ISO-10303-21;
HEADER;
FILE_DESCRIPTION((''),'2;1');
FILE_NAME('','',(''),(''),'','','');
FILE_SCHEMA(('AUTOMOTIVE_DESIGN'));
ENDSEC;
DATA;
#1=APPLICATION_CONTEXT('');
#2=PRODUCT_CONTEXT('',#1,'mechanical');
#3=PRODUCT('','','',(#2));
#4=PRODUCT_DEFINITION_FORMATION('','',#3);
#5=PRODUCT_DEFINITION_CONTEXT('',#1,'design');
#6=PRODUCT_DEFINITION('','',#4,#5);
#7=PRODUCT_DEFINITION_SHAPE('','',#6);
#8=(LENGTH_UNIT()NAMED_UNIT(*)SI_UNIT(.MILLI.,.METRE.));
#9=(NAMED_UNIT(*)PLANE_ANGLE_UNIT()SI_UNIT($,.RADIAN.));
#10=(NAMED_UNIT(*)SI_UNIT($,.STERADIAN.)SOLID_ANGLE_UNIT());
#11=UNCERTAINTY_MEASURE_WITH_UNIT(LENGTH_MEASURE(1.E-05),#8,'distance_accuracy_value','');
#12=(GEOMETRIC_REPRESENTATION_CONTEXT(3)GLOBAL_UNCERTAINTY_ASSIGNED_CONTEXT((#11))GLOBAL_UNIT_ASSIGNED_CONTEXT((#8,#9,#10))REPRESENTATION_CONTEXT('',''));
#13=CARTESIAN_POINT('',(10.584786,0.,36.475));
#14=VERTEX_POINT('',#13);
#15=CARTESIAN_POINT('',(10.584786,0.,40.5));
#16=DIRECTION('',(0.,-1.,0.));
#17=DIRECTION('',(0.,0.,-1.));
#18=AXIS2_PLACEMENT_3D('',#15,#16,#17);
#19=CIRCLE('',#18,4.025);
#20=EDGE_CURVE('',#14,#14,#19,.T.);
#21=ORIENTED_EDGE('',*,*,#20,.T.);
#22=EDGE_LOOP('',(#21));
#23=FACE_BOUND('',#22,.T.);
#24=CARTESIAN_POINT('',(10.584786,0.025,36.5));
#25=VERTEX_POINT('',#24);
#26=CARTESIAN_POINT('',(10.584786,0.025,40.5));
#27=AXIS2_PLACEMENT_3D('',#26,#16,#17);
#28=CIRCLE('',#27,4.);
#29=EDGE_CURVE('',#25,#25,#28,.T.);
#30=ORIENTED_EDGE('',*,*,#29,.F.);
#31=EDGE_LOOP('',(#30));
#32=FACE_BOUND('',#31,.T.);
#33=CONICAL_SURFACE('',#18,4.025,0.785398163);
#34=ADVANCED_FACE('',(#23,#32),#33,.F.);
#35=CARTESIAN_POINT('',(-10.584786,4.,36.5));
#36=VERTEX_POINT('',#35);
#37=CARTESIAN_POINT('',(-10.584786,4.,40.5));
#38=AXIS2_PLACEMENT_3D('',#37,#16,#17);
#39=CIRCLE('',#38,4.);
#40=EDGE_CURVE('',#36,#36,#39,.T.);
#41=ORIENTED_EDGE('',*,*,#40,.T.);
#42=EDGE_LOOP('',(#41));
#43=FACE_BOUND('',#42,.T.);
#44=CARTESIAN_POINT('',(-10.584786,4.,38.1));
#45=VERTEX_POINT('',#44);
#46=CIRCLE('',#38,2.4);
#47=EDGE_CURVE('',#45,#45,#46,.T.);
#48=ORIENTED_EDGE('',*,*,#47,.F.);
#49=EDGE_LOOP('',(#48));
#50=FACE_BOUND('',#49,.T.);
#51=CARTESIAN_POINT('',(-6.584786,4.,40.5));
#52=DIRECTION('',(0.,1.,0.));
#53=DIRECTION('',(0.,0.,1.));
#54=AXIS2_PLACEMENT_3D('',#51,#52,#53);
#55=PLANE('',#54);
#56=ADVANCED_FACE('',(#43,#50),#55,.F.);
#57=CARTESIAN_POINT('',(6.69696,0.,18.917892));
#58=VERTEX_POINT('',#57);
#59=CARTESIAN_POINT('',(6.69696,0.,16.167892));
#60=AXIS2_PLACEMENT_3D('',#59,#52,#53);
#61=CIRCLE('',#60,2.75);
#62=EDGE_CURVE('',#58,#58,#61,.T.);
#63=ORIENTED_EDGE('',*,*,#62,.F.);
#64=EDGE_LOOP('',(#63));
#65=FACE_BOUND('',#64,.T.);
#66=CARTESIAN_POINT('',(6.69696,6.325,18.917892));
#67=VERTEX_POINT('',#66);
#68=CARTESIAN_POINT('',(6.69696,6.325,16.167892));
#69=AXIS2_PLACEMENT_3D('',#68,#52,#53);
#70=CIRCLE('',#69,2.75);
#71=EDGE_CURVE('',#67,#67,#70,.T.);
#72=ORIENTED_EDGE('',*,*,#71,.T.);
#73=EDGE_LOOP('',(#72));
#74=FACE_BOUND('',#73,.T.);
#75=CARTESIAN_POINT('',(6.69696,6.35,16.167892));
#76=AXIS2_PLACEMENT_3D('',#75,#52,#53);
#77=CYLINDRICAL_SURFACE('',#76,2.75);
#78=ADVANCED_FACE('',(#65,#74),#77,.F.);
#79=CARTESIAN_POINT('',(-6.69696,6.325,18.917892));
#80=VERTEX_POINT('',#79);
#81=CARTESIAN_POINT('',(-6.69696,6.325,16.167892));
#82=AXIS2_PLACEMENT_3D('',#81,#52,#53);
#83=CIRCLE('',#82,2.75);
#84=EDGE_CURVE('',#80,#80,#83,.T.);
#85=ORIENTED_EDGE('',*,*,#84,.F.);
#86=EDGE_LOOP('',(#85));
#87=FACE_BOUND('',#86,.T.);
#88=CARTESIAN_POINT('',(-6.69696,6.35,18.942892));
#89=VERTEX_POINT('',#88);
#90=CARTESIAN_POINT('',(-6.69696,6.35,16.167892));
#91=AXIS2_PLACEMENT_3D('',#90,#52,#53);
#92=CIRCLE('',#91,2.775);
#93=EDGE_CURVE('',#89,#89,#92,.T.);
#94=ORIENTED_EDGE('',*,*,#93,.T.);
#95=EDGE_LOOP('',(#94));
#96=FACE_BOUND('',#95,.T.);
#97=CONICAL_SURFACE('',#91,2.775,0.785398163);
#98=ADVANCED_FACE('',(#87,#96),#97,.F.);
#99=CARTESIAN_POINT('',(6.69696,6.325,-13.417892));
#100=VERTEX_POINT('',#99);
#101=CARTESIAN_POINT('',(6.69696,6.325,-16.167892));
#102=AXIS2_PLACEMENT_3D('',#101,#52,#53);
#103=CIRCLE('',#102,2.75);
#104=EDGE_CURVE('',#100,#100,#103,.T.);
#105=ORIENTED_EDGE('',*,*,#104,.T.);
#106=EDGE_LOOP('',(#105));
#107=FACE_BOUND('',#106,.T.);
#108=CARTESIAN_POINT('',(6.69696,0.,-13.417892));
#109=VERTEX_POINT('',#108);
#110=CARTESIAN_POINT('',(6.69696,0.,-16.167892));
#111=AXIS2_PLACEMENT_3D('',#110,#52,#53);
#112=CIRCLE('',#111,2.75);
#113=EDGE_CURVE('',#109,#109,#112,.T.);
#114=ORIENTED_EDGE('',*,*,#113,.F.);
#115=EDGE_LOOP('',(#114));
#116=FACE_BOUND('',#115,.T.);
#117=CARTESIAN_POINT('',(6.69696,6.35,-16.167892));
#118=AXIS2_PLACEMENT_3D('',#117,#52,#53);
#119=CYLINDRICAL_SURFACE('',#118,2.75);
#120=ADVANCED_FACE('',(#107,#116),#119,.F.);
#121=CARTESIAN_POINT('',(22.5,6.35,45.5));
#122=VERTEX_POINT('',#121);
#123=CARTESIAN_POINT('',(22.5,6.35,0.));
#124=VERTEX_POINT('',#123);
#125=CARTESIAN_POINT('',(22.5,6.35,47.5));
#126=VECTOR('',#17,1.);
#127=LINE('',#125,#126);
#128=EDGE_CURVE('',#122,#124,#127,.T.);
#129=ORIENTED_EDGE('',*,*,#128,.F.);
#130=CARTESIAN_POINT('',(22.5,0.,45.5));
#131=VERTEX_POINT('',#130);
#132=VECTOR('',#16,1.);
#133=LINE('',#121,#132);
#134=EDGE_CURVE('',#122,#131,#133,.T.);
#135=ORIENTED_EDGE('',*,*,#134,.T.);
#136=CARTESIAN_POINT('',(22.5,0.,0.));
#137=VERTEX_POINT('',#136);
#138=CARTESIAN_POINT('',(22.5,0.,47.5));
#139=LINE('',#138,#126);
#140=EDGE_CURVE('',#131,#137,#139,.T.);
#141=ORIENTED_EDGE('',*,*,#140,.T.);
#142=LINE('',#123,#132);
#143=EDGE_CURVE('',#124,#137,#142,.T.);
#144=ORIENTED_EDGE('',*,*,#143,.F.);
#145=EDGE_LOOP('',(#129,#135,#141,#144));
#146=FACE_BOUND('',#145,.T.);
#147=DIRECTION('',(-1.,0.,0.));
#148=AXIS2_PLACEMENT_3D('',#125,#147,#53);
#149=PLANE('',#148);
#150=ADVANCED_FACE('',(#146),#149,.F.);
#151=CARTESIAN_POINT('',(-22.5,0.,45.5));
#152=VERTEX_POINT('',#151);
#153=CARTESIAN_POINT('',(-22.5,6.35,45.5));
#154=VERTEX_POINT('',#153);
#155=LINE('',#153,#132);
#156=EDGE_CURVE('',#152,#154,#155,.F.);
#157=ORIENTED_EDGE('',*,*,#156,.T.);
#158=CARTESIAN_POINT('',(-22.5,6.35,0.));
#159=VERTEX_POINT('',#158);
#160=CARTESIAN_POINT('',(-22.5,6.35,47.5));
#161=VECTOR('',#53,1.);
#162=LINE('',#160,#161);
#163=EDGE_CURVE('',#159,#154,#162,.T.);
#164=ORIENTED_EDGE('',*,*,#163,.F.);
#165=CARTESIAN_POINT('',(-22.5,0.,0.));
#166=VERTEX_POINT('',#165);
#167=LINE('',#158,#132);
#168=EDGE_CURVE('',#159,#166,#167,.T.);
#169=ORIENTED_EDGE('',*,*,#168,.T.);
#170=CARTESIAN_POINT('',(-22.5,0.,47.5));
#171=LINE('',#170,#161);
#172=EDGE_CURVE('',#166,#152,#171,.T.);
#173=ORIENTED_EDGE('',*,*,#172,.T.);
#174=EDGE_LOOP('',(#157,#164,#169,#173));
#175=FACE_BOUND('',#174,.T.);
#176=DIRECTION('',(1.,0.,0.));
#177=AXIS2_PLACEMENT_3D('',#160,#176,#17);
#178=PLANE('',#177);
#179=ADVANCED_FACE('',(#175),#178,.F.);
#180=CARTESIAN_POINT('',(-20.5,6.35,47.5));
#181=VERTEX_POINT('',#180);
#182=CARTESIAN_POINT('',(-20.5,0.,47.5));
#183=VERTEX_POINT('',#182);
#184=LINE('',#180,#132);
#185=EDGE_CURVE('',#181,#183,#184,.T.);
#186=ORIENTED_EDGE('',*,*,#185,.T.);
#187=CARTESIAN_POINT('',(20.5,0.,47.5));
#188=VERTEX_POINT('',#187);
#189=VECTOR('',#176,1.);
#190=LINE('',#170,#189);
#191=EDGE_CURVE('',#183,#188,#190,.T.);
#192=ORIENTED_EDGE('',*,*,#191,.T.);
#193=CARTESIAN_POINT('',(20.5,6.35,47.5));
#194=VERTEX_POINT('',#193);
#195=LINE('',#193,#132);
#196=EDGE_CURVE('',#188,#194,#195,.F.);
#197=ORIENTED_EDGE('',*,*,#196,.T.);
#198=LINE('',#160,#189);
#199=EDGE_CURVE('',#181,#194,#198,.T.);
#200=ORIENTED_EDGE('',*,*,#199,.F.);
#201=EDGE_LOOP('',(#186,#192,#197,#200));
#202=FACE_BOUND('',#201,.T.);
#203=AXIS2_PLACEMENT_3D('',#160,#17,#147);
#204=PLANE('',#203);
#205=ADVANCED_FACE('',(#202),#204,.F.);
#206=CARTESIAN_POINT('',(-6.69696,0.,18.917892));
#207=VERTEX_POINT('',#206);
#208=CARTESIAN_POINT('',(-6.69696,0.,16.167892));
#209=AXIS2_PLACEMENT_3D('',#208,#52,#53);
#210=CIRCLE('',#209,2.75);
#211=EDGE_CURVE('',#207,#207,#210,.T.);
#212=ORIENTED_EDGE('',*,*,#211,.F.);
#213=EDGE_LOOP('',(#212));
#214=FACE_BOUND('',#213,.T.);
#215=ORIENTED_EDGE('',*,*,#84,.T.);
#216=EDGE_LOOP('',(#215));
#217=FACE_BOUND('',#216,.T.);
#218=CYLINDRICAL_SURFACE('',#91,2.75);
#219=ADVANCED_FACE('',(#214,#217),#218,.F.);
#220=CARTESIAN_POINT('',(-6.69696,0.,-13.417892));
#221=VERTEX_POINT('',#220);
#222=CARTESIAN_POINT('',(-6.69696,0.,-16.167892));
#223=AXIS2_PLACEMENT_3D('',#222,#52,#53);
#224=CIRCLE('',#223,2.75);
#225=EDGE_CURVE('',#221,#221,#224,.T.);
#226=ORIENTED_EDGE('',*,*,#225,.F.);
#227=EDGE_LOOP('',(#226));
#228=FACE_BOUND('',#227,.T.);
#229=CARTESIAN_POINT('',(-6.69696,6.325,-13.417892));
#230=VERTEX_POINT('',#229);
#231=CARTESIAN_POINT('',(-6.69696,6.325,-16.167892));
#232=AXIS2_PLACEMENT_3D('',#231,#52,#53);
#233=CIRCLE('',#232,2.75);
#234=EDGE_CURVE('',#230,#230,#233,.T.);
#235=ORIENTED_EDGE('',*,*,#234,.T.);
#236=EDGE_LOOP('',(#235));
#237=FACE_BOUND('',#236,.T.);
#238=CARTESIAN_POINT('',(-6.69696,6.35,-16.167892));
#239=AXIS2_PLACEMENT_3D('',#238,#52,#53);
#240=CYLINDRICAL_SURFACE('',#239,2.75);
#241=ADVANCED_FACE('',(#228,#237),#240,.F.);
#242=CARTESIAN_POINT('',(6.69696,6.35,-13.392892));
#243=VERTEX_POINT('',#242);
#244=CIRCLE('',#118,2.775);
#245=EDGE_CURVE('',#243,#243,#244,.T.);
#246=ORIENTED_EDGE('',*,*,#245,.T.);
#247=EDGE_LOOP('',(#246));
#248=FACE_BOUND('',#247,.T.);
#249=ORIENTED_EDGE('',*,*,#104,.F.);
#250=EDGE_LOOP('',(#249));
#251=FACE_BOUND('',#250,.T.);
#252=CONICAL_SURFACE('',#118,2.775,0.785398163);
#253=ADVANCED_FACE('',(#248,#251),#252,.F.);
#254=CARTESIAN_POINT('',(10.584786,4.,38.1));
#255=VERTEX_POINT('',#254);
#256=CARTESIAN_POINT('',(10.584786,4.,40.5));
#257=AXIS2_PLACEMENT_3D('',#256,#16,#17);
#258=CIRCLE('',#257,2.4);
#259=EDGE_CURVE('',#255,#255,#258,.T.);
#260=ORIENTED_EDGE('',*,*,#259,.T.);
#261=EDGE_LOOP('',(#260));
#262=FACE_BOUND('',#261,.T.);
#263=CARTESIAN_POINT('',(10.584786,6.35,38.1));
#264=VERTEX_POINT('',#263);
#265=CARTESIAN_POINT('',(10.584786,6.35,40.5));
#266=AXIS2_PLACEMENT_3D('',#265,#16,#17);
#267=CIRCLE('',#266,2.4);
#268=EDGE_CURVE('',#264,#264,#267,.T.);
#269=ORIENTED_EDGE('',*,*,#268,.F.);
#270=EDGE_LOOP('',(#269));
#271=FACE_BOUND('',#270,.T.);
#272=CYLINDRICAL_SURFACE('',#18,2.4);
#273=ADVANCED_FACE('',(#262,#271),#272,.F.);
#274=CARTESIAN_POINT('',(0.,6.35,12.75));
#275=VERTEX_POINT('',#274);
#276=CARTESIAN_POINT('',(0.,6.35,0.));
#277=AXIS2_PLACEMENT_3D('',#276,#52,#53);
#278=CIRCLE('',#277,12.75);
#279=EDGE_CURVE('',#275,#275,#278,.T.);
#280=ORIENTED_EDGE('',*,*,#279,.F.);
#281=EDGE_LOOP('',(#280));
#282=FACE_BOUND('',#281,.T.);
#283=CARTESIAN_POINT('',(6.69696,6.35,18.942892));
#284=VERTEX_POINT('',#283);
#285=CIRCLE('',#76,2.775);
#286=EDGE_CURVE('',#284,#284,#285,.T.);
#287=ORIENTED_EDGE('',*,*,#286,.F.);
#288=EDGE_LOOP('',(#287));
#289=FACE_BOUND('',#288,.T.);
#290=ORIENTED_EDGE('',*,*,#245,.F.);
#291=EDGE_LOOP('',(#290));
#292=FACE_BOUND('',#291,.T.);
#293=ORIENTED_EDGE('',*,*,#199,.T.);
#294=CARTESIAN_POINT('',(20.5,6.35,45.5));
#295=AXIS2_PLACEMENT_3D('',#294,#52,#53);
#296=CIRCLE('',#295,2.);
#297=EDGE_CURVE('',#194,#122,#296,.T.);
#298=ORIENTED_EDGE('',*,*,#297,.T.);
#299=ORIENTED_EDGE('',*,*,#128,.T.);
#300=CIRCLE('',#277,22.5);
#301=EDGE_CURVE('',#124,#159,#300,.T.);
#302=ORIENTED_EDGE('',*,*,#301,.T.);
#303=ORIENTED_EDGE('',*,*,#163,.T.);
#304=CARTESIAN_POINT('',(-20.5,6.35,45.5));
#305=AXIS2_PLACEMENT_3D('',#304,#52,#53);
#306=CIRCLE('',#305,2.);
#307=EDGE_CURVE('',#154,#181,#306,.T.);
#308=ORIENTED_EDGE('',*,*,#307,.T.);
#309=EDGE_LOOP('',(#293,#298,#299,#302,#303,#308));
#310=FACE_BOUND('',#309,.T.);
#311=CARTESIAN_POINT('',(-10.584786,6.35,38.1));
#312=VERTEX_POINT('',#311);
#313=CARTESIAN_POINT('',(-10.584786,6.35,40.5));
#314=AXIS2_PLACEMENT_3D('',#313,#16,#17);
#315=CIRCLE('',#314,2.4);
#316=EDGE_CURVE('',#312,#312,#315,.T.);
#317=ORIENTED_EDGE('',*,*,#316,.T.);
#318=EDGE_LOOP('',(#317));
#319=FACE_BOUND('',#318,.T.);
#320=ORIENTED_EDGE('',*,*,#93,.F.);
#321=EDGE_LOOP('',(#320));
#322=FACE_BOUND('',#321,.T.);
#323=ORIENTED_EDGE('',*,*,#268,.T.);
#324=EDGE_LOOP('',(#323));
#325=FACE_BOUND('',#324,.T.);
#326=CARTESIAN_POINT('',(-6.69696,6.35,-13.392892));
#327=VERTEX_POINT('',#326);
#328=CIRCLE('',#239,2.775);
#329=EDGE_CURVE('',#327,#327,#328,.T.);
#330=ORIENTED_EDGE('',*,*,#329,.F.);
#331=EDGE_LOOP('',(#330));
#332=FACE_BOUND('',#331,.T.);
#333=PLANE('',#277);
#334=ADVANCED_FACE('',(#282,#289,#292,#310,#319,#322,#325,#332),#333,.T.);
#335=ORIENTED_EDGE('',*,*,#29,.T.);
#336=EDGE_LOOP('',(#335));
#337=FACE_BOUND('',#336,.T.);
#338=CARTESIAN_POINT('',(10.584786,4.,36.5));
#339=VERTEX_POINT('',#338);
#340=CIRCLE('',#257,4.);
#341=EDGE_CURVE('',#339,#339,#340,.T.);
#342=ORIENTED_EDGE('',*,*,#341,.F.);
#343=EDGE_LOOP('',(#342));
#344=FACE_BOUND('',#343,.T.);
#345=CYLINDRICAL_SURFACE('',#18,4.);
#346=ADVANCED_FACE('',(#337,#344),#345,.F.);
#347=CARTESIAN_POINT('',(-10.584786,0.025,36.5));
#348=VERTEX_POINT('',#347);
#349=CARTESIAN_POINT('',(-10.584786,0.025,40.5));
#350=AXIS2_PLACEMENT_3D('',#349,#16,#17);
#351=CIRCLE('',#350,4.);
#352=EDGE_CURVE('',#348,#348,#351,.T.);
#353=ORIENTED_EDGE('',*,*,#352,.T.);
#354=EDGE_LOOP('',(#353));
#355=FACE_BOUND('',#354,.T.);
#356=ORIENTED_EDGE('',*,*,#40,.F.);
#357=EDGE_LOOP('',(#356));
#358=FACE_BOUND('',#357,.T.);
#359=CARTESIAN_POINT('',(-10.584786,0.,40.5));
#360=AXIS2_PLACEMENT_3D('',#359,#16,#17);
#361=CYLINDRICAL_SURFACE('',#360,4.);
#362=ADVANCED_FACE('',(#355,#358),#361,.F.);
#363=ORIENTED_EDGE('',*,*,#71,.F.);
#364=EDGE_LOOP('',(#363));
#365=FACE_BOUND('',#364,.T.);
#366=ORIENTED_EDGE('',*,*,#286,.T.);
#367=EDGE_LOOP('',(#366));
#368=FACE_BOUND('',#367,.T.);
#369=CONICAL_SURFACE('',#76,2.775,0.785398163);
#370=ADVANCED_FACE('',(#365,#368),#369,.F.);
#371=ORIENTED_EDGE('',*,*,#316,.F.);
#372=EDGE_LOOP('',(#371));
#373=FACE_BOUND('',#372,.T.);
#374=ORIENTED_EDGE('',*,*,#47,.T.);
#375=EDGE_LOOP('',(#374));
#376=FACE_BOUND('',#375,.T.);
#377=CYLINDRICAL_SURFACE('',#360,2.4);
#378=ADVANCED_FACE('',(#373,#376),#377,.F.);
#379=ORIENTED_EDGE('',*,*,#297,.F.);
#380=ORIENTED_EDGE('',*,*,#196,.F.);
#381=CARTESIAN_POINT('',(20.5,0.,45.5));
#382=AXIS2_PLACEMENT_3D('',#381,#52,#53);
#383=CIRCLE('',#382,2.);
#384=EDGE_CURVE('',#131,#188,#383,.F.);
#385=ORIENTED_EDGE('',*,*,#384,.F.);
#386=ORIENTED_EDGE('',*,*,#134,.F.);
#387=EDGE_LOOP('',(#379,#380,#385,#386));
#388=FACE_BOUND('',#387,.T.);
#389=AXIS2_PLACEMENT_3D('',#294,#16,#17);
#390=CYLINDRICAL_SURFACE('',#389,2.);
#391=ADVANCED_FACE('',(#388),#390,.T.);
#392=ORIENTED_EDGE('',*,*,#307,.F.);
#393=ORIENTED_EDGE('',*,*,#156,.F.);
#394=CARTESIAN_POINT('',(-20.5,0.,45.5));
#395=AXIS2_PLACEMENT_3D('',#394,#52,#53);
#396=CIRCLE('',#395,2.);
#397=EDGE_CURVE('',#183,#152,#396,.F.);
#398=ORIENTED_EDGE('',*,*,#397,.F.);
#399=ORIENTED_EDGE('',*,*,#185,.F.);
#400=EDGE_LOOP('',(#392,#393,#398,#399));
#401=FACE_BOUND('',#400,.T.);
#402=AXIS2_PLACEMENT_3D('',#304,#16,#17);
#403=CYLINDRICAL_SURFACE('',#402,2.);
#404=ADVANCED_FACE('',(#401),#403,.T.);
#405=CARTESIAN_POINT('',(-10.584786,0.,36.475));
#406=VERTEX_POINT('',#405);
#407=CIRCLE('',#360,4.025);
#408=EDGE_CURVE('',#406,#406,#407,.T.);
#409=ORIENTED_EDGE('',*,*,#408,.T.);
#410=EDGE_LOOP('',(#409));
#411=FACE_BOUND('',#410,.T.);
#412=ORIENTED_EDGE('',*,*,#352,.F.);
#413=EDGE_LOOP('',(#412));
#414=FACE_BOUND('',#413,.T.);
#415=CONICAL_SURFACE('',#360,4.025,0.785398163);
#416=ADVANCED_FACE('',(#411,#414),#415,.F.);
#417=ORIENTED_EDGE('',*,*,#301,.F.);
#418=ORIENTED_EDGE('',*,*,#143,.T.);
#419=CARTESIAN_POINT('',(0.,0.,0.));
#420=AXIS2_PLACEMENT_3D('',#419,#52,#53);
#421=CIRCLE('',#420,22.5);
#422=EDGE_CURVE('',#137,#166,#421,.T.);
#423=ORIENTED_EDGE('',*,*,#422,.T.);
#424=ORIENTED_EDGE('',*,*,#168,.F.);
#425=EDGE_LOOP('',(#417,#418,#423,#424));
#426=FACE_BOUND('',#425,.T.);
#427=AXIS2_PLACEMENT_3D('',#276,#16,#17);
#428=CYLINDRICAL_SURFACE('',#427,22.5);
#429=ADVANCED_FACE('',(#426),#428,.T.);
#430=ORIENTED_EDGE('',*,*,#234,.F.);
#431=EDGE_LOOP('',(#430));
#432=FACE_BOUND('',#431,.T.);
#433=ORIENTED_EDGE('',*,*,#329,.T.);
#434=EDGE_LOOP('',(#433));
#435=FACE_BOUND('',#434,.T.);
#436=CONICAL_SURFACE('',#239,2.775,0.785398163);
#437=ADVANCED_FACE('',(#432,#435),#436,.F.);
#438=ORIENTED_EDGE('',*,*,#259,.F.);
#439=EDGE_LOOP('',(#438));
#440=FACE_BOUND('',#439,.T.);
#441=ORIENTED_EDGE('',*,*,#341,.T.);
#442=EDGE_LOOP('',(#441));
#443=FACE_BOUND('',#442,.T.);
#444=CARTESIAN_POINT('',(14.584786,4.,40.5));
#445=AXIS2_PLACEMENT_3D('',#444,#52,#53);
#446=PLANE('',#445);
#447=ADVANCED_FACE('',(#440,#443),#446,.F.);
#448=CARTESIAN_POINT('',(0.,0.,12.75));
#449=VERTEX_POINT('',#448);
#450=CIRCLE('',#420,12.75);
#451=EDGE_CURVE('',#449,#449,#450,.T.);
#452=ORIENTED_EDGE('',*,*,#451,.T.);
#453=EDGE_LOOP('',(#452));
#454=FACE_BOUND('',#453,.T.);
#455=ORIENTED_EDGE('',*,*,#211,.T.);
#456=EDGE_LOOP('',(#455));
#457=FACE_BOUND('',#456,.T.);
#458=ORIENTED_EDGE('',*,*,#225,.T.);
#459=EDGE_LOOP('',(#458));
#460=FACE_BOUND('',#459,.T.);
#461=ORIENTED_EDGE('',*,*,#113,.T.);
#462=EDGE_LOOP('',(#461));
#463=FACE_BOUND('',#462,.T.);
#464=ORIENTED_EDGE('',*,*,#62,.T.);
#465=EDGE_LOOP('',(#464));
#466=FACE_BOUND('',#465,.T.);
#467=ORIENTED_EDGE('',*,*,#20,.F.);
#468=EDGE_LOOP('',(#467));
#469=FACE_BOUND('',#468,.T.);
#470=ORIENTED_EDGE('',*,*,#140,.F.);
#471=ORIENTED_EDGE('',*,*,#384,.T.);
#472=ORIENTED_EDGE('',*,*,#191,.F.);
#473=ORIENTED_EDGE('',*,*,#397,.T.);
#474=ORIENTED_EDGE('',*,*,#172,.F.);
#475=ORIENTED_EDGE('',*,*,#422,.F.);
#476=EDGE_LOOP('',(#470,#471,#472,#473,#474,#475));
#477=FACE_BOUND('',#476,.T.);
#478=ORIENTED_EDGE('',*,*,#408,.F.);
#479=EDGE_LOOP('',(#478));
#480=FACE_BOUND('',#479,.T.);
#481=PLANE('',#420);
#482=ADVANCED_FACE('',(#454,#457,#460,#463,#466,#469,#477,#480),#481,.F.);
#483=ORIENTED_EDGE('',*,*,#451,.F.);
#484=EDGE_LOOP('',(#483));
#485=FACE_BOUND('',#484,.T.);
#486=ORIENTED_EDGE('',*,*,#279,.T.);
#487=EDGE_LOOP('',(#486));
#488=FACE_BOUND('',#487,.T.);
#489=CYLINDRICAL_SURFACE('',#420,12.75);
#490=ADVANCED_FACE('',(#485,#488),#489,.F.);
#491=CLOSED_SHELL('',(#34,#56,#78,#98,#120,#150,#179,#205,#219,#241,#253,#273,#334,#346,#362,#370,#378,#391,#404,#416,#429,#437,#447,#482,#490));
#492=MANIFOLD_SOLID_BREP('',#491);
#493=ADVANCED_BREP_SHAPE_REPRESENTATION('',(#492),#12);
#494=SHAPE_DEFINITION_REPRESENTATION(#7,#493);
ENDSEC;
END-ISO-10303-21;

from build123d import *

# Parameters (mm, degrees)
BOSS_EXTRUDE1_DEPTH            = 6.35
M5_CLEARANCE_HOLE1_D           = 5.5
M5_CLEARANCE_HOLE1_CSINK_D     = 5.55
M5_CLEARANCE_HOLE1_CSINK_ANGLE = 90
SKETCH5_R                      = 12.75
CUT_EXTRUDE1_DEPTH             = 53.941689622
CBORE_FOR_M4_SHCS1_AT_2_COUNT  = 2
CBORE_FOR_M4_SHCS1_AT_2_PITCH  = 21.169571299
FILLET1_R                      = 2


with BuildPart() as part:
    # Sketch1 → Boss-Extrude1 (new body)
    with BuildSketch(Plane(origin=(0, 0, 0), x_dir=(1, 0, 0), z_dir=(0, 1, 0))):
        with BuildLine():
            Line((-22.5, -47.5), (22.5, -47.5))
            Line((22.5, -47.5), (22.5, 3.34e-07))
            ThreePointArc((22.5, 3.34e-07), (0, 22.5), (-22.5, 3.34e-07))
            Line((-22.5, 3.34e-07), (-22.5, -47.5))
        make_face()
    extrude(amount=BOSS_EXTRUDE1_DEPTH)

    # M5 Clearance Hole1 (through all)
    with Locations(Plane(origin=(0, 6.35, 0), x_dir=(1, 0, 0), z_dir=(0, 1, 0))):
        with Locations((-6.696960066, -16.167891819), (6.696960066, -16.167891819), (6.696960066, 16.167891819), (-6.696960066, 16.167891819)):
            CounterSinkHole(M5_CLEARANCE_HOLE1_D / 2, M5_CLEARANCE_HOLE1_CSINK_D / 2, counter_sink_angle=M5_CLEARANCE_HOLE1_CSINK_ANGLE)

    # Sketch5 → Cut-Extrude1 (cut, through all)
    with BuildSketch(Plane(origin=(0, 6.35, 0), x_dir=(1, 0, 0), z_dir=(0, 1, 0))):
        with Locations(Location((0, 0, 0), (0, 0, 270))):
            Circle(SKETCH5_R)
    extrude(amount=-CUT_EXTRUDE1_DEPTH, mode=Mode.SUBTRACT)

    # Sketch10 → CBORE for M4 SHCS1 (revolve, cut)
    with BuildSketch(Plane(origin=(10.584785649, 0, 40.5), x_dir=(0, 0, -1), z_dir=(1, 0, 0))):
        Polygon((0, 0), (0, 6.35), (2.4, 6.35), (2.4, 4), (4, 4), (4, 0.025), (4.025, 0), align=None)
    cbore_for_m4_shcs1 = revolve(axis=Axis((10.584785649, -6.35, 40.5), (0, 1, 0)), mode=Mode.SUBTRACT)

    # CBORE for M4 SHCS1 at 2: CBORE for M4 SHCS1 ×2
    with Locations(*[(-i * CBORE_FOR_M4_SHCS1_AT_2_PITCH, 0, 0) for i in range(1, CBORE_FOR_M4_SHCS1_AT_2_COUNT)]):
        add(cbore_for_m4_shcs1, mode=Mode.SUBTRACT)

    # Fillet1
    fillet1_edges = [part.edges().sort_by_distance(p)[0] for p in [
        (22.5, 3.175, 47.5),
        (-22.5, 3.175, 47.5),
    ]]
    fillet(fillet1_edges, radius=FILLET1_R)


solid = part.part
